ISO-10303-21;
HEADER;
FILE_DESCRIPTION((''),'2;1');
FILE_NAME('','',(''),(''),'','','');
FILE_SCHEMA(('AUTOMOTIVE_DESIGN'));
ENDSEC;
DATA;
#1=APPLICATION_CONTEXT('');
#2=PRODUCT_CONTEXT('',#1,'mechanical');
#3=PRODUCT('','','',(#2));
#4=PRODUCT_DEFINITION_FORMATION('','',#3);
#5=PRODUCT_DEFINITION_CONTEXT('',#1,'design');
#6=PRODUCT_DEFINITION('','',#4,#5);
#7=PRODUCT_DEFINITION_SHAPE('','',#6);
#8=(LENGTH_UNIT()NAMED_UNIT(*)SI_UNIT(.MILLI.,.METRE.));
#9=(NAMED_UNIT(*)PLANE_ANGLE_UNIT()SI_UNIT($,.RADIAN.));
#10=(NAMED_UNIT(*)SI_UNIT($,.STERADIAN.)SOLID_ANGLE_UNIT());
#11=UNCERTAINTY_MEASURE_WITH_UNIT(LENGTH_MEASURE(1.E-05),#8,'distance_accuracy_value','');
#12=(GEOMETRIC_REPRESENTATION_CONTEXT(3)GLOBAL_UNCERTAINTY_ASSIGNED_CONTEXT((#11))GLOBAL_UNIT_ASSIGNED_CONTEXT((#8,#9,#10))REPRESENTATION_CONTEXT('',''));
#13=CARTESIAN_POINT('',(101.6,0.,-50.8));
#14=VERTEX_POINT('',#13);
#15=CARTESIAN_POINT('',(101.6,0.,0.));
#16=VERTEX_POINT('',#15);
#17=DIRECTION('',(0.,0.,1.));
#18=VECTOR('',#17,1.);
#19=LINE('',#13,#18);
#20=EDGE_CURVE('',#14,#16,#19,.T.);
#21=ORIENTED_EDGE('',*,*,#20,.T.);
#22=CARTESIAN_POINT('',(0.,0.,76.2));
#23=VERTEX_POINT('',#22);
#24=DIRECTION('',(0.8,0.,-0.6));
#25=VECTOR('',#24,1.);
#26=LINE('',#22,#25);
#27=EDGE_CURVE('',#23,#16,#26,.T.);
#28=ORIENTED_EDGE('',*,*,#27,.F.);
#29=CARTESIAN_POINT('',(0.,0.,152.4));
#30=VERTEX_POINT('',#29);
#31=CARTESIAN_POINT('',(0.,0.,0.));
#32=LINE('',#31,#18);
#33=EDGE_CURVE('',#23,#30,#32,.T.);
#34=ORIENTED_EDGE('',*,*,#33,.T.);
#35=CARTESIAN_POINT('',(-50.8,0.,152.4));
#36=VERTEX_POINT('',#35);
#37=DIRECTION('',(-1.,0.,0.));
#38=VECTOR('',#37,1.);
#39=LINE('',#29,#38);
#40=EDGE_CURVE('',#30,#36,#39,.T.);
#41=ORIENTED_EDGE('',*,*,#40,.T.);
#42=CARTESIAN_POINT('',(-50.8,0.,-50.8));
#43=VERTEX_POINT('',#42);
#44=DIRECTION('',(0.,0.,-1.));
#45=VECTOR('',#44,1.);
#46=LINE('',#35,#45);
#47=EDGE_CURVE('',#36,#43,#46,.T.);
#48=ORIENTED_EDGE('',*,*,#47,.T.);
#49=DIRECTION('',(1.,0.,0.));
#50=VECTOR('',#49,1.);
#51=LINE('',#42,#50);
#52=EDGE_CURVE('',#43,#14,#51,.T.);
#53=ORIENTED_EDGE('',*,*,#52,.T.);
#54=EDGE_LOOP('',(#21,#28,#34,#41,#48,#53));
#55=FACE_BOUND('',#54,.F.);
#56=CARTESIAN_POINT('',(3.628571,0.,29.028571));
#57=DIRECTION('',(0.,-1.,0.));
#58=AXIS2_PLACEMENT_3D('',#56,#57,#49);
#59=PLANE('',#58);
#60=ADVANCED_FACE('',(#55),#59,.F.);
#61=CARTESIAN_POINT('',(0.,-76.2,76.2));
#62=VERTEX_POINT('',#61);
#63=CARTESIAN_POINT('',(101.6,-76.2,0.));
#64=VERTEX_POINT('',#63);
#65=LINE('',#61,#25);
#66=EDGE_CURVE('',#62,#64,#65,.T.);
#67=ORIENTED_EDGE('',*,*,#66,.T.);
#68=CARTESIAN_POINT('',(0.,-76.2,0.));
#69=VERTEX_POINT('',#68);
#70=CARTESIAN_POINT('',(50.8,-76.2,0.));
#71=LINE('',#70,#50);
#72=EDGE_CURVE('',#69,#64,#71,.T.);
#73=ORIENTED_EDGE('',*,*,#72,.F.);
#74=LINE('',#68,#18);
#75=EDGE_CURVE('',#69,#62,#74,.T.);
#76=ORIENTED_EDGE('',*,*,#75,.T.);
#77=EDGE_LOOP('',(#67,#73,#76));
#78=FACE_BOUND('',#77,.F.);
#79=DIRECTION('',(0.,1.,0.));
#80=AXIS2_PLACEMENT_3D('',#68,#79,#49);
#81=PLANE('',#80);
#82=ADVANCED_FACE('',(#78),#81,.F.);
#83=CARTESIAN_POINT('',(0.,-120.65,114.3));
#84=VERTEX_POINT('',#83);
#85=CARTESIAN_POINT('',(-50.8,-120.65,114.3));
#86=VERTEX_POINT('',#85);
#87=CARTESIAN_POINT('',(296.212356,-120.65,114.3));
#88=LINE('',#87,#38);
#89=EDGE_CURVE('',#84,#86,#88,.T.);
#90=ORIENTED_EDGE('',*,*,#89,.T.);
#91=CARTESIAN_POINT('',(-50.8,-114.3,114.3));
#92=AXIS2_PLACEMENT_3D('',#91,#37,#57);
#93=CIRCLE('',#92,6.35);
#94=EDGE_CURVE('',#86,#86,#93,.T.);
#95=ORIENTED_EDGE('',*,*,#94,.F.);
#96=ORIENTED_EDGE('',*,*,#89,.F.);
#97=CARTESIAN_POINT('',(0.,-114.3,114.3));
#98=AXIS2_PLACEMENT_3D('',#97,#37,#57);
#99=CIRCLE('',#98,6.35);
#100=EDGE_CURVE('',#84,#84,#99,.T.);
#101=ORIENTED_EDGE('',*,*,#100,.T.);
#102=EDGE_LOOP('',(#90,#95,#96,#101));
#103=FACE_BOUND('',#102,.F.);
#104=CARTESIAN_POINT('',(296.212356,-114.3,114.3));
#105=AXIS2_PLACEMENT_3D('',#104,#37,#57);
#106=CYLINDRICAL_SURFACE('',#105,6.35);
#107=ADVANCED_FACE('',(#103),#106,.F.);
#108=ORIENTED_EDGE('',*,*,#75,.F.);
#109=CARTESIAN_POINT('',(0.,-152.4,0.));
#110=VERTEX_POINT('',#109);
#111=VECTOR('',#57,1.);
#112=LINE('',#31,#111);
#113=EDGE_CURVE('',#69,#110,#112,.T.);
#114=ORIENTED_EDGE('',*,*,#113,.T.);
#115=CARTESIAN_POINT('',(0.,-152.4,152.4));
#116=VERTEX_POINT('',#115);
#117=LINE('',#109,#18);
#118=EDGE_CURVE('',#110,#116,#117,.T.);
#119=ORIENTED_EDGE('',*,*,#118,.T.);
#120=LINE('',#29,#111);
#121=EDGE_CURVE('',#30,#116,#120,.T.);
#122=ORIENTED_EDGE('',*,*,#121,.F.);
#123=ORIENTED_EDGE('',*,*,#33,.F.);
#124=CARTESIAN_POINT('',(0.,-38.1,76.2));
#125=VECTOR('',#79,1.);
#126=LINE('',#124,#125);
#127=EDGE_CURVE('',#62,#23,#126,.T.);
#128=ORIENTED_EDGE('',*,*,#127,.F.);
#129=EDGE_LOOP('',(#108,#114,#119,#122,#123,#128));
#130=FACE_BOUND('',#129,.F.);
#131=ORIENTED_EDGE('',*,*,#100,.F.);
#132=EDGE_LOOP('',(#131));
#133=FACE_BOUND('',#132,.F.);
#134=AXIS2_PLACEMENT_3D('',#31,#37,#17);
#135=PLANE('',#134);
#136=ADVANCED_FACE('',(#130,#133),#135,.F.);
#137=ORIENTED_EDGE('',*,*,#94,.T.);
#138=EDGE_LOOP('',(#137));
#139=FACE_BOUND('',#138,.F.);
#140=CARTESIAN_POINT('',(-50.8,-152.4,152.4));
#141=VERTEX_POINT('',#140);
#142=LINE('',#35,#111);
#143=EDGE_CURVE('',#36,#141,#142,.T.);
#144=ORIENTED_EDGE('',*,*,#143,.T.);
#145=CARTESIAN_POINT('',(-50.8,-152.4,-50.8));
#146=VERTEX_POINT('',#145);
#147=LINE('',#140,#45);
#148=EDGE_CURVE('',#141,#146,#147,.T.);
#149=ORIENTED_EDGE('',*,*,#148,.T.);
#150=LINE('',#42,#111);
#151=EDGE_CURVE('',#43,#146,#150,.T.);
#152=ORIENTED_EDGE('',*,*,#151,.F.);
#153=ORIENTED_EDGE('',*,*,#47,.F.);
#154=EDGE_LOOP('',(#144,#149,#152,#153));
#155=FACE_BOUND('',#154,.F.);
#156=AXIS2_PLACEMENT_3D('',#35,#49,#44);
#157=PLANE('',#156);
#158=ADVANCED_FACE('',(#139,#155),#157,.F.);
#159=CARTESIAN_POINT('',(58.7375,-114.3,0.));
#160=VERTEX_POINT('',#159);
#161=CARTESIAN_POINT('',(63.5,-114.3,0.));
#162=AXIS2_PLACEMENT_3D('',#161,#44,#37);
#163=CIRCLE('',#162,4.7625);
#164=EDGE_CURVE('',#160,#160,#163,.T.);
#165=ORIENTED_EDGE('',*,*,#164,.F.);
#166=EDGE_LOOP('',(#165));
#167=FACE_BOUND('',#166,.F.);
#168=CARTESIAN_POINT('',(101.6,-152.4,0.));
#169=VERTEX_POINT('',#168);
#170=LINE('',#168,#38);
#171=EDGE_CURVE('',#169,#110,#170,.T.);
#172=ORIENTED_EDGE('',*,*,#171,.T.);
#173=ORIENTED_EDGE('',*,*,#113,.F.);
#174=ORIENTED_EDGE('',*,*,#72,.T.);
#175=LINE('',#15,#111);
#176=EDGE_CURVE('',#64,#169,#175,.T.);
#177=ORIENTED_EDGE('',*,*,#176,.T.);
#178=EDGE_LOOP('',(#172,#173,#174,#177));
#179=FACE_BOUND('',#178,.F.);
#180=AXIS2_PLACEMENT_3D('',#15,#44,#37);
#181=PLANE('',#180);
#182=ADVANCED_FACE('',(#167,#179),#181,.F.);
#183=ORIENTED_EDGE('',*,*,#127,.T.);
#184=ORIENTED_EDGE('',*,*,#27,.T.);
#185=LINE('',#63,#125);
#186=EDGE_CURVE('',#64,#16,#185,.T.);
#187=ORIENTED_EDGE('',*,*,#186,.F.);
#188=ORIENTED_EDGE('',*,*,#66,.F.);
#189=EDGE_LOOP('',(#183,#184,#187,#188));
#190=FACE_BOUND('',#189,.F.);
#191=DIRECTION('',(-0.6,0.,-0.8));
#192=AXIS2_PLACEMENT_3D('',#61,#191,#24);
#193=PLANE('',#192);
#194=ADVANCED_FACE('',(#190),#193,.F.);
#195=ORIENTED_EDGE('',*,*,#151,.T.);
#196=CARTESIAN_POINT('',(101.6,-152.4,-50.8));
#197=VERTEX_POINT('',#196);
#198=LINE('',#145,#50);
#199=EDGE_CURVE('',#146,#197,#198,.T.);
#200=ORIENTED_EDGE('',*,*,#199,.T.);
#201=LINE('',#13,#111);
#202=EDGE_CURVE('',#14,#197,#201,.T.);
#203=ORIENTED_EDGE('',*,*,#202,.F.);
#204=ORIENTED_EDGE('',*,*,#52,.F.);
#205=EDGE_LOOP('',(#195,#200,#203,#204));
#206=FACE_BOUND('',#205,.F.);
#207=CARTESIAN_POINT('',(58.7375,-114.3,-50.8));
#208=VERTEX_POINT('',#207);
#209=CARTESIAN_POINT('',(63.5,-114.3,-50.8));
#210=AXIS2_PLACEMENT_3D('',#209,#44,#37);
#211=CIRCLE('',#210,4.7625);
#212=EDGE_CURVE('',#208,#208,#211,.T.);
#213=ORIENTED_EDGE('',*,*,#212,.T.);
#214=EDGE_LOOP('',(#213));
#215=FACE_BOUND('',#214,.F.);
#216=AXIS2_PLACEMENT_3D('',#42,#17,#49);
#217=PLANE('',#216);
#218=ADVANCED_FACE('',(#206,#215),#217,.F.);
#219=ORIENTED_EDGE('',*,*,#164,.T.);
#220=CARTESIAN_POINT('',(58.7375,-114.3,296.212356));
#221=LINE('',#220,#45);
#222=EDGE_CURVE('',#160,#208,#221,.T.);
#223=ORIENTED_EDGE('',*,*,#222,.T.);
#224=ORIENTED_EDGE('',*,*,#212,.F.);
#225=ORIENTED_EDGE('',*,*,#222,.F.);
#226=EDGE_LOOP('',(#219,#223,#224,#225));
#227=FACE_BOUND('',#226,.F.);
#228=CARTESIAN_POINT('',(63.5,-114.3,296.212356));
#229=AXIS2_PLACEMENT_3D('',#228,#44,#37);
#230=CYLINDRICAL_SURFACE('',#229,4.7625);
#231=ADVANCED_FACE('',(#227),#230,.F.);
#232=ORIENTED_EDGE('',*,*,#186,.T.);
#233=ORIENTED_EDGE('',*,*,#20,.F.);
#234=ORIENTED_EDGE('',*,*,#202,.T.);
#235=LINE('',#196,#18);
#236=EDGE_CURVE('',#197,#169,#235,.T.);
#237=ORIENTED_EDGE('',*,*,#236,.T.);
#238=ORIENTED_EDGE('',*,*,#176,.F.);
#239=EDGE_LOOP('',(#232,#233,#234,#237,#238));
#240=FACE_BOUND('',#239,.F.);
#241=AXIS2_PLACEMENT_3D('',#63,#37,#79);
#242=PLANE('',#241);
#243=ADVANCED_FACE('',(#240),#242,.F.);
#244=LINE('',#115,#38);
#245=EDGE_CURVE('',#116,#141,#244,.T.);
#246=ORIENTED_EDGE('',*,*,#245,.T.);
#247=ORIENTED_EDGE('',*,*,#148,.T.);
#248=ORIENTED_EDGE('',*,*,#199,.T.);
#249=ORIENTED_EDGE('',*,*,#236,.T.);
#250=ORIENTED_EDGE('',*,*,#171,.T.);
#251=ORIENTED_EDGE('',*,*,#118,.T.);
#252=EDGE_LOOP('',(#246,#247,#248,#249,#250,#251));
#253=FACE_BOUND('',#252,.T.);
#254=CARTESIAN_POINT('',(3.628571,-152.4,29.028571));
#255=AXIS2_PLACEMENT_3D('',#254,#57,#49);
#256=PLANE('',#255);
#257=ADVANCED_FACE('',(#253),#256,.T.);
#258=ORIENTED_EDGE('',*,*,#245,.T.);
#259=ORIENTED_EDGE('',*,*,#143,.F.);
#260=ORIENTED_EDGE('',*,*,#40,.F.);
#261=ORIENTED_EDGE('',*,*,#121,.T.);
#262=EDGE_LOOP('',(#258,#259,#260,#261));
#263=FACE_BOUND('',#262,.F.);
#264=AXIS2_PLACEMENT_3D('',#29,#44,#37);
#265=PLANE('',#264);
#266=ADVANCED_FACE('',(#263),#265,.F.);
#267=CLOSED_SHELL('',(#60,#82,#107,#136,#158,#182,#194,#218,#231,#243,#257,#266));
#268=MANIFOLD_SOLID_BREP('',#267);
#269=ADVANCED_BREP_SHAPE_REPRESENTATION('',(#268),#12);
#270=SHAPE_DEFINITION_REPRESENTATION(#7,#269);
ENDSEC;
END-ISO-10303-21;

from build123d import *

# Parameters (mm, degrees)
F1_DEPTH = 152.4
F2_W     = 101.6
F2_H     = 76.2
F3_DEPTH = 76.2
F5_DEPTH = 76.2
F7_D     = 12.7
F9_D     = 9.525


with BuildPart() as f1:
    # F0 (on Front) → F1 (new body)
    with BuildSketch(Plane.XZ):
        Polygon((0, 152.4), (-50.8, 152.4), (-50.8, -50.8), (101.6, -50.8), (101.6, 0), (0, 0), align=None)
    extrude(amount=F1_DEPTH)

    # F2 (on face) → F3 (join)
    with BuildSketch(Plane.XY):
        with Locations((50.8, -38.1)):
            Rectangle(F2_W, F2_H)
    extrude(amount=F3_DEPTH)

    # F4 (on face) → F5 (cut)
    with BuildSketch(Plane.XZ.offset(76.2)):
        Polygon((101.6, 76.2), (0, 76.2), (101.6, 0), align=None)
    extrude(amount=-F5_DEPTH, mode=Mode.SUBTRACT)

    # F7 (through all)
    with Locations(Plane.YZ):
        with Locations((-114.3, 114.3)):
            Hole(F7_D / 2)

    # F9 (through all)
    with Locations(Plane.XY):
        with Locations((63.5, -114.3)):
            Hole(F9_D / 2)


solid = f1.part
